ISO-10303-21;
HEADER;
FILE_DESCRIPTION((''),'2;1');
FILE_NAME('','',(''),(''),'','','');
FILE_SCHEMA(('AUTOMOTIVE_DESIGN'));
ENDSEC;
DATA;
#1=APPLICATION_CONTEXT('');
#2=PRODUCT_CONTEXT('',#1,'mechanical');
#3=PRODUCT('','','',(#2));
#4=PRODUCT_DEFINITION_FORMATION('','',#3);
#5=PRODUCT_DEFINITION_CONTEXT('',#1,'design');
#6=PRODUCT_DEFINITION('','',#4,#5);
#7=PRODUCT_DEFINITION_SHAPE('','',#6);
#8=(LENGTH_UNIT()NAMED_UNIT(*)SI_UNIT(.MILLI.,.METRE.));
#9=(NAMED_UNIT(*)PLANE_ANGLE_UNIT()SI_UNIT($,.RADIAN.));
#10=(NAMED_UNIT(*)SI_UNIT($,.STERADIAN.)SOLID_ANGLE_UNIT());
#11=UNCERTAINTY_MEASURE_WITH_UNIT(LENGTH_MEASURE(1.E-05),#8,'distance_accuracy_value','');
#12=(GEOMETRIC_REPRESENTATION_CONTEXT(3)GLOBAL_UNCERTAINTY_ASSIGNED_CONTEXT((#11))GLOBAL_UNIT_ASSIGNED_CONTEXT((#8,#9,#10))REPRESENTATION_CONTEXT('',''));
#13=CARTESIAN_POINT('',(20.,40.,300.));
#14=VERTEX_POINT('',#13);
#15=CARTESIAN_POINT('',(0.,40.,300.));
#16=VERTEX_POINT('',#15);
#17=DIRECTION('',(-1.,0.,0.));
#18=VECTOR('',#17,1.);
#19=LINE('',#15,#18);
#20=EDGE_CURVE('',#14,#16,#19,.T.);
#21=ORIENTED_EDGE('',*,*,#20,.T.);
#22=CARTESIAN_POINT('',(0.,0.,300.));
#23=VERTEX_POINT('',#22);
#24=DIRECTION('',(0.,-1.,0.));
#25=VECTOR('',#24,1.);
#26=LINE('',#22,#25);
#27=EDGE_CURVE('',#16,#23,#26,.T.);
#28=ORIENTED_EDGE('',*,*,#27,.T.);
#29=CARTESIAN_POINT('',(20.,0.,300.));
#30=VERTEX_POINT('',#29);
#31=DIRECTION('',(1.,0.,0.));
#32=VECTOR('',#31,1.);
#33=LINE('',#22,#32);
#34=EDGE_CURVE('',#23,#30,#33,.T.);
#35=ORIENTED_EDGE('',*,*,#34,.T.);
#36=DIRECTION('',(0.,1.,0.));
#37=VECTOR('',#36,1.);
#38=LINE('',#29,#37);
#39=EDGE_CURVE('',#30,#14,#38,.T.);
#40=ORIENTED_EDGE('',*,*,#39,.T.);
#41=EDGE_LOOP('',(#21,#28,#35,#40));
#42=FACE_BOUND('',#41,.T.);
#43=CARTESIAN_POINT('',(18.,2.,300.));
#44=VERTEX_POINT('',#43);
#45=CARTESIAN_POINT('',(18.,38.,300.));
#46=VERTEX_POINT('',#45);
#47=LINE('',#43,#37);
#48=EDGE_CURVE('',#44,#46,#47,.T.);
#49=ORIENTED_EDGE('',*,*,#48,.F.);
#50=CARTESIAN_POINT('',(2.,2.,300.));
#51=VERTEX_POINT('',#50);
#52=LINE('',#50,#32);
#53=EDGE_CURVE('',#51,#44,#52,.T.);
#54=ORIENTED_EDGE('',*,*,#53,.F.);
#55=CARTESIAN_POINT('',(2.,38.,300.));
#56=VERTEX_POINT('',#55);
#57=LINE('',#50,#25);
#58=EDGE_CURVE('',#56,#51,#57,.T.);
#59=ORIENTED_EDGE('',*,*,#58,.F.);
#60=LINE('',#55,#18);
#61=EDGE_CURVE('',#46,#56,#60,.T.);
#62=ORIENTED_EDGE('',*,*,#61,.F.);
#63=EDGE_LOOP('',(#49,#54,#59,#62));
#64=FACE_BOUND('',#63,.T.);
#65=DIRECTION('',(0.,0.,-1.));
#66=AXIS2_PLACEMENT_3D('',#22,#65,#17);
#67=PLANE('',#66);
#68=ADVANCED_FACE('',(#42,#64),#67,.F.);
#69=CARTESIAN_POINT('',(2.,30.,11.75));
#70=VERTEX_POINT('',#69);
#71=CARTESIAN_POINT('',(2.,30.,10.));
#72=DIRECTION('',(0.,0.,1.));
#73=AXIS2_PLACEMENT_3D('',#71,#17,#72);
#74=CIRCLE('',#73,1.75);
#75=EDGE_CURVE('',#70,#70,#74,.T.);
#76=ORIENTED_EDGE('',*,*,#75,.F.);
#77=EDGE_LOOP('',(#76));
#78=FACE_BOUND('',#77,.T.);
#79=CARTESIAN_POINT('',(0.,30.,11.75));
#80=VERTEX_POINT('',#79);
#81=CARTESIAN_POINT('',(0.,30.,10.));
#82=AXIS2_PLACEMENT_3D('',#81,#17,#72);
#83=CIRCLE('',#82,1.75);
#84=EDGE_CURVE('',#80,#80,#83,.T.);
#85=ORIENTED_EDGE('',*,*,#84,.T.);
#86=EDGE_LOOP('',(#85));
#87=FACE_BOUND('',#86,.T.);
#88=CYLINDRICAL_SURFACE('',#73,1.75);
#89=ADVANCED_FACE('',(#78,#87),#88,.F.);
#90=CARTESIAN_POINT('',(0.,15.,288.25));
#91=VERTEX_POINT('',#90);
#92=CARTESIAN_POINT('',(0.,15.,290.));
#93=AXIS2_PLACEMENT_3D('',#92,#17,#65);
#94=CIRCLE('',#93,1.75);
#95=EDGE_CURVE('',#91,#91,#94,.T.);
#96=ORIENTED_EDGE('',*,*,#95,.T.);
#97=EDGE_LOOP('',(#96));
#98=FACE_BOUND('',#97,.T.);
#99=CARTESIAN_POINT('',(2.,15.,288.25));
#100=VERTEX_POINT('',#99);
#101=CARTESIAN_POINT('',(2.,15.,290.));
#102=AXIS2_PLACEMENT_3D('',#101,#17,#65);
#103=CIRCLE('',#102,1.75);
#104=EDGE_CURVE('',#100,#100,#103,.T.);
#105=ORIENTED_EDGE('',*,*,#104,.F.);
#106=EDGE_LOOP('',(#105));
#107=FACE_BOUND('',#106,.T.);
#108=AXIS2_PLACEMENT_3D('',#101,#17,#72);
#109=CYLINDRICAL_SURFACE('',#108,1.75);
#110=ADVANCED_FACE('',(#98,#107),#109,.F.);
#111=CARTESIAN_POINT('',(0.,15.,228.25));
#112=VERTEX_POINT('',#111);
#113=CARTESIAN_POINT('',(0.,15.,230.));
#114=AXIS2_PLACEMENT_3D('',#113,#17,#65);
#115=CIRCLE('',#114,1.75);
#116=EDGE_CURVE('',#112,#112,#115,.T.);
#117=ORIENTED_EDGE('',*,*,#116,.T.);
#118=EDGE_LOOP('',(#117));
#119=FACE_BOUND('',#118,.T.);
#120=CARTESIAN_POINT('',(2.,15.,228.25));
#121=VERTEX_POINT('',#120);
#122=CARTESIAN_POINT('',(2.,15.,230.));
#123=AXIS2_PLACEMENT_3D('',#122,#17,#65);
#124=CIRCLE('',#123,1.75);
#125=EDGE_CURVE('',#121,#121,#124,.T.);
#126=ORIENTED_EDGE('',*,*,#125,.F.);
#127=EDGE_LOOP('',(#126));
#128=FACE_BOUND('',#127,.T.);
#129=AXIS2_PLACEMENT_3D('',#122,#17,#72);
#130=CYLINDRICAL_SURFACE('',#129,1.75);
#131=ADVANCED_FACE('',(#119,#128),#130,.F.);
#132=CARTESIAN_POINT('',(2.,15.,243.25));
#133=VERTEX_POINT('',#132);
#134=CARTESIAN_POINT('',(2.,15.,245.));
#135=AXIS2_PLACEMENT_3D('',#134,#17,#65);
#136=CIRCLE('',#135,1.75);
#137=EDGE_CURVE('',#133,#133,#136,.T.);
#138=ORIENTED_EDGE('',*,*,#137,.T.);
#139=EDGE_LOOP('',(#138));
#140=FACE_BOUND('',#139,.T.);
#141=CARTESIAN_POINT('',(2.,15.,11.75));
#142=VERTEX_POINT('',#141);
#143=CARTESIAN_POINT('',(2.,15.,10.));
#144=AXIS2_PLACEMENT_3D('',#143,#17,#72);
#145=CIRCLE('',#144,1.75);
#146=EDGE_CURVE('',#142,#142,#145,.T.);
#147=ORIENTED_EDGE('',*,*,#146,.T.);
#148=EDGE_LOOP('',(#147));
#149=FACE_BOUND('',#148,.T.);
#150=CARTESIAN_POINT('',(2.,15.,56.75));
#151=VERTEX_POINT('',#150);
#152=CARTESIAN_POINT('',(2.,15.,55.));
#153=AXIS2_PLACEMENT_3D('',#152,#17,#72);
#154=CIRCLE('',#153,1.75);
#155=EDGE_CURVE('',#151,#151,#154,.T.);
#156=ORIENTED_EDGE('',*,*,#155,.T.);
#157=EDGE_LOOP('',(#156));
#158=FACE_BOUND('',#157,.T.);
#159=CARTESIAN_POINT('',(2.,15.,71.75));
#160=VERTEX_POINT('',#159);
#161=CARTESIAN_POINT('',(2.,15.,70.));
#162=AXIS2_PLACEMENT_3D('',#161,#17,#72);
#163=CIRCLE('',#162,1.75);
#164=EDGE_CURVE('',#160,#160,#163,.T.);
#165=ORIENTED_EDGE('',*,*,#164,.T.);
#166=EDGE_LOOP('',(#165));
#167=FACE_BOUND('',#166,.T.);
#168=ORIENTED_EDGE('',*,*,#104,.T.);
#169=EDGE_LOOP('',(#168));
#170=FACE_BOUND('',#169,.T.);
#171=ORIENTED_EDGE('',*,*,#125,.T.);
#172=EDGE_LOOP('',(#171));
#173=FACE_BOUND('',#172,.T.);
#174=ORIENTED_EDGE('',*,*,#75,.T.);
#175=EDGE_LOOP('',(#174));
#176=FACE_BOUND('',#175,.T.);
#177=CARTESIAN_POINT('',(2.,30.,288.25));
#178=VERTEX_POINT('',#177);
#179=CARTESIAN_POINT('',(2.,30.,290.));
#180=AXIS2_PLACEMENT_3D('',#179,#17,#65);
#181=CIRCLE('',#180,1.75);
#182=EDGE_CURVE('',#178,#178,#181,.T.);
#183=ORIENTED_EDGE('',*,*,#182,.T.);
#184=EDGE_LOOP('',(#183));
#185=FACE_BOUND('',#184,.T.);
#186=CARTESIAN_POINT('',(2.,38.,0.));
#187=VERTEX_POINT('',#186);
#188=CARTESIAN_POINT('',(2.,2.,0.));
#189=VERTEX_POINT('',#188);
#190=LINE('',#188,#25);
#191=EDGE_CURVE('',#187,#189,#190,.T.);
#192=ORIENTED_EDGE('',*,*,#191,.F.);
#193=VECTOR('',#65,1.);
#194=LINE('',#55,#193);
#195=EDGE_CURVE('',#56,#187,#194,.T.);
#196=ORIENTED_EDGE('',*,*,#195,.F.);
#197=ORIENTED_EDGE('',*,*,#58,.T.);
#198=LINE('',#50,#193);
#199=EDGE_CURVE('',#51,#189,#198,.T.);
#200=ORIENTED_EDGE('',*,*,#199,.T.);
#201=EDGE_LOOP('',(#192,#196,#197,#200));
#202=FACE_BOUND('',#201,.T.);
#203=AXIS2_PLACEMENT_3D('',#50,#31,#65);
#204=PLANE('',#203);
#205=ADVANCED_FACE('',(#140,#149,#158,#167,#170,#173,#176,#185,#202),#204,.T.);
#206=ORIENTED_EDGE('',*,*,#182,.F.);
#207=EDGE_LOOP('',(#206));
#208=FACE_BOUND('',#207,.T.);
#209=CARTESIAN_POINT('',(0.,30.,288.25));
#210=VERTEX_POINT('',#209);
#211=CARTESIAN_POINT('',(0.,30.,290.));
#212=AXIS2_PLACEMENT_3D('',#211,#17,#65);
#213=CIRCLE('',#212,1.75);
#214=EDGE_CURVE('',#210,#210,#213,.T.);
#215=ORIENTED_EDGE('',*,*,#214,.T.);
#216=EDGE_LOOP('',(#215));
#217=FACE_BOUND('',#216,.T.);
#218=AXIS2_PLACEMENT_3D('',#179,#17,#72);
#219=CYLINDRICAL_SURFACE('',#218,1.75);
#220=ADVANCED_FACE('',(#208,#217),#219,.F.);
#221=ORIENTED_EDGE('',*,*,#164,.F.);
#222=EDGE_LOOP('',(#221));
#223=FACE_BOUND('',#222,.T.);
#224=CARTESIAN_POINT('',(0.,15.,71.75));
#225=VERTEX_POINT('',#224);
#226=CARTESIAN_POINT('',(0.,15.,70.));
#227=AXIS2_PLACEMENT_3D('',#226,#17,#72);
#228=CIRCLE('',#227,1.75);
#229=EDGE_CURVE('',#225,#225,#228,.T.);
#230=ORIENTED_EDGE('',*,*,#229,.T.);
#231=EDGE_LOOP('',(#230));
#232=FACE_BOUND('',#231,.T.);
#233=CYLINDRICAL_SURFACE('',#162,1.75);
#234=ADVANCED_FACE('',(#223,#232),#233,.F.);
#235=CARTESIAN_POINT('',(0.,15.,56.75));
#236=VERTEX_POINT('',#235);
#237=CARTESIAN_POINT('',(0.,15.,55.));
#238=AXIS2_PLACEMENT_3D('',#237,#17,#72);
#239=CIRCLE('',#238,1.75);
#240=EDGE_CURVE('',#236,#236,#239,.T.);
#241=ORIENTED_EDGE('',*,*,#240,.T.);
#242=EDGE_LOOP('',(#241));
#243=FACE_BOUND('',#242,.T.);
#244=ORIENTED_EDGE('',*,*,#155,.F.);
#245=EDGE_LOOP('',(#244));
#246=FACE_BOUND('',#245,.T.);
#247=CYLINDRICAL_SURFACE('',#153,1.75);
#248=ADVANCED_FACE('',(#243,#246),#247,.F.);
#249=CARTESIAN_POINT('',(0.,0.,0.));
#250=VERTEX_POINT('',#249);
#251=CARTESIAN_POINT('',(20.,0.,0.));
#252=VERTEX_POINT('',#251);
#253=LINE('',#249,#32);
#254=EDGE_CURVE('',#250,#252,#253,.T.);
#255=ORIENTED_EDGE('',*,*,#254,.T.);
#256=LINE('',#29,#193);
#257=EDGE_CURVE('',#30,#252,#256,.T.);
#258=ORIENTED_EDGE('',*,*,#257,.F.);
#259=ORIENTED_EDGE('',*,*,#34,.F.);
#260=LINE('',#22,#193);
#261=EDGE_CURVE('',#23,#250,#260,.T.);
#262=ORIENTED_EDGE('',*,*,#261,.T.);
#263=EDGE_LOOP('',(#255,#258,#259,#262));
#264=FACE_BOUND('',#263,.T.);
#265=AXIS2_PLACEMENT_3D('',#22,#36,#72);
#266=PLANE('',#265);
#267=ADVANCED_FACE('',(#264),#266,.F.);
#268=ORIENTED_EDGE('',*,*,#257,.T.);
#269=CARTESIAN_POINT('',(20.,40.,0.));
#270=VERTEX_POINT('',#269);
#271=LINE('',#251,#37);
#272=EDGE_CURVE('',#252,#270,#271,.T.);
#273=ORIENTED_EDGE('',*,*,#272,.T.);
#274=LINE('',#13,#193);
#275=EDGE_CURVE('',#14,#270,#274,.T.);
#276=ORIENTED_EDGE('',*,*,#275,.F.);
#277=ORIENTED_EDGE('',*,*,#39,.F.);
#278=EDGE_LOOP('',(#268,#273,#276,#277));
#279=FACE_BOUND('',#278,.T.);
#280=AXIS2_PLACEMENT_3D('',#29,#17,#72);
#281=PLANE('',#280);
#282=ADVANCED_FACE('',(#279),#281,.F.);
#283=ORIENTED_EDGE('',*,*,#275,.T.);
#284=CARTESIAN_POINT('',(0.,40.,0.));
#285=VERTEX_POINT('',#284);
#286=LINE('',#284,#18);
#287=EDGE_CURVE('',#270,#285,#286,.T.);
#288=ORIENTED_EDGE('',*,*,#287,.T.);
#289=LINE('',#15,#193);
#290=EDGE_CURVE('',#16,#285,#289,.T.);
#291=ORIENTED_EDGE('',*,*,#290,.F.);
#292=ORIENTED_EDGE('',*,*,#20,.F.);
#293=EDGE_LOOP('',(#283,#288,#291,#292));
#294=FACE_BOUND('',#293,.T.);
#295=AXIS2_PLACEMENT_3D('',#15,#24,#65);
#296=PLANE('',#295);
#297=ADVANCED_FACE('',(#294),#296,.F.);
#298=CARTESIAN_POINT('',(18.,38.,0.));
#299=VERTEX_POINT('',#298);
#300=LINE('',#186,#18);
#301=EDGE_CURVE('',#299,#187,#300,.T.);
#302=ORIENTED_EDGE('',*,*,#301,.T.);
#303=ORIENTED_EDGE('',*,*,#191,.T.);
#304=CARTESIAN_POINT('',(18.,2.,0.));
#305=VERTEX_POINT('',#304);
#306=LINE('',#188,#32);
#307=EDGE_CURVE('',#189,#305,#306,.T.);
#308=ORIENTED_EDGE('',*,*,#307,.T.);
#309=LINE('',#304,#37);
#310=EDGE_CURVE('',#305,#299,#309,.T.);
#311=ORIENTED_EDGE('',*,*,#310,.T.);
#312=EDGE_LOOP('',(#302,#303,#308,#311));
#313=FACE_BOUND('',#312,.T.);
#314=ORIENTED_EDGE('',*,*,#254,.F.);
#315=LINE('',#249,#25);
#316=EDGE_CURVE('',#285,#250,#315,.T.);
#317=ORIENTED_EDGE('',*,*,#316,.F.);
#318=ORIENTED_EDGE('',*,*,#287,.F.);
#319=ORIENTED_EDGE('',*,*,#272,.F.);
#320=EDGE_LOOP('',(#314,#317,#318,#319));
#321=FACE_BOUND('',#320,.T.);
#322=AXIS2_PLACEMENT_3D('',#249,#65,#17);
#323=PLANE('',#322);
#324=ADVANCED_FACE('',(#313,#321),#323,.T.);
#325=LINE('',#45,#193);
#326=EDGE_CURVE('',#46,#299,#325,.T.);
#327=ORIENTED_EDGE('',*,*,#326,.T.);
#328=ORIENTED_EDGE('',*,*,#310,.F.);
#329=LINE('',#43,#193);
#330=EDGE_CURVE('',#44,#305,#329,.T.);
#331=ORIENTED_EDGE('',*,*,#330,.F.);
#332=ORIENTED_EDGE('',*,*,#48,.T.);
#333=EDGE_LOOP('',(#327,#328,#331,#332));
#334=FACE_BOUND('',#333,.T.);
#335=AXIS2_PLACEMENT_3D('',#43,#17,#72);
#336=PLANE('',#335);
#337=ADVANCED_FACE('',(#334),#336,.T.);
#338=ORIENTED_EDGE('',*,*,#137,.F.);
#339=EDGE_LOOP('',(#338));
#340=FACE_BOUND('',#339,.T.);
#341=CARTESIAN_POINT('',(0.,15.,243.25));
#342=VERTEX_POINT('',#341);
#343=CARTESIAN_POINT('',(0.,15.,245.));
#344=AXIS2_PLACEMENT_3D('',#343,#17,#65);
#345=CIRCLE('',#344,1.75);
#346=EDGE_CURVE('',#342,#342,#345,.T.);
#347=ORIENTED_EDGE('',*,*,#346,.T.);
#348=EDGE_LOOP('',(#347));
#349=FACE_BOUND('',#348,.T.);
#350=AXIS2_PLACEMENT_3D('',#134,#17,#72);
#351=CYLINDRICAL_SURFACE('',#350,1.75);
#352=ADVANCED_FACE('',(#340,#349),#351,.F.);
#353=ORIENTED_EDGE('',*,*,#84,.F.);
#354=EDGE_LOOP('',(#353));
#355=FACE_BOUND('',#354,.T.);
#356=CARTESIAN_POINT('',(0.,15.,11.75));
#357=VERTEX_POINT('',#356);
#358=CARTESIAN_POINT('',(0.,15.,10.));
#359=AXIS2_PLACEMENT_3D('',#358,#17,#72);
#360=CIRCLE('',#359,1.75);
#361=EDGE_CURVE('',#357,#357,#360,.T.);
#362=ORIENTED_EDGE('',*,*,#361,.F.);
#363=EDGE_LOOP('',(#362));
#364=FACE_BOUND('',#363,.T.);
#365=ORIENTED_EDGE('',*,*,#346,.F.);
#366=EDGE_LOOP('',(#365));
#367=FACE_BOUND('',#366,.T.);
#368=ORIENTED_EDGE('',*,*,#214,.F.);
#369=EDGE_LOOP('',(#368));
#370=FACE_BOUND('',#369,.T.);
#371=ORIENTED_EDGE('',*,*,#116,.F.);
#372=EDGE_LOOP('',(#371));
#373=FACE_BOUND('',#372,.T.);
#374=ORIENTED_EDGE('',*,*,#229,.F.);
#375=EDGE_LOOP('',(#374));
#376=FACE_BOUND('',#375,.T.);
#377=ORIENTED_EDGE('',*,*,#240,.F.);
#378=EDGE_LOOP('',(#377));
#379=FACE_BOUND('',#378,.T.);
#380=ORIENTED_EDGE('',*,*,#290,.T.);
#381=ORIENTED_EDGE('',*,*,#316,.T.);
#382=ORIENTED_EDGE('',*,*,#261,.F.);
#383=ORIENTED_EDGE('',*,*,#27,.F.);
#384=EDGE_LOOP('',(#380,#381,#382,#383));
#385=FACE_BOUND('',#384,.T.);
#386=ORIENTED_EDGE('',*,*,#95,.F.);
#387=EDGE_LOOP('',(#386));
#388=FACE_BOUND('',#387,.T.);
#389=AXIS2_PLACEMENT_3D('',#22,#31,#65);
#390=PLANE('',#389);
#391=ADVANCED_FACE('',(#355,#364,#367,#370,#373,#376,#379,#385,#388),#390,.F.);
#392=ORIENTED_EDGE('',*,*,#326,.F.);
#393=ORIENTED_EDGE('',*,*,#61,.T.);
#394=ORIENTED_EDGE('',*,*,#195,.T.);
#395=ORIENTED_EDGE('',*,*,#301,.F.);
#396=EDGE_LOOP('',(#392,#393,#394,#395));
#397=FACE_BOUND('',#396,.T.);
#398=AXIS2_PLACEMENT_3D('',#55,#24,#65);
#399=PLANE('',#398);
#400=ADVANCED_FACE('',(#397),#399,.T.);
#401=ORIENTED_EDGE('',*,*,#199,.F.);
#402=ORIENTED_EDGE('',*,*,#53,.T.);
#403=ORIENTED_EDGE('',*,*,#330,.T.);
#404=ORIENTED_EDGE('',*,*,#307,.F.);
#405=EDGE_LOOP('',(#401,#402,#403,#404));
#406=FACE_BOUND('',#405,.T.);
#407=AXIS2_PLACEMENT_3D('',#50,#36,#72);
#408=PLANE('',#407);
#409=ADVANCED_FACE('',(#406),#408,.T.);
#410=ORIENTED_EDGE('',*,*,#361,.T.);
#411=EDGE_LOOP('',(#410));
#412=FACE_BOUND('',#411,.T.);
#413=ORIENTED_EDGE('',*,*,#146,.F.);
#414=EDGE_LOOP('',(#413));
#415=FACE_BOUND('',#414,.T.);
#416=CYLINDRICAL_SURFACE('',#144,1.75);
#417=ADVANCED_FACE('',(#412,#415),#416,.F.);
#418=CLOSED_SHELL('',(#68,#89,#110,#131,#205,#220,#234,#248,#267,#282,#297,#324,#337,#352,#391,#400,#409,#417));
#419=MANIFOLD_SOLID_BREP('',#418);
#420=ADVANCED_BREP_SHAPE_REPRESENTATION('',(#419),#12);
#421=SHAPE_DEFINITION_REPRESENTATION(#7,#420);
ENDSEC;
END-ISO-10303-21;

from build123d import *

# Parameters (mm, degrees)
ESBO_O1_W                = 20
ESBO_O1_H                = 40
ESBO_O1_W_2              = 16
ESBO_O1_H_2              = 36
RESSALTO_EXTRUS_O1_DEPTH = 300
ESBO_O2_R                = 1.75
CORTE_EXTRUS_O1_DEPTH    = 2


with BuildPart() as part:
    # Esboço1 → Ressalto-extrusão1 (new body)
    with BuildSketch(Plane.XY):
        with Locations((10, 20)):
            Rectangle(ESBO_O1_W, ESBO_O1_H)
        with Locations((10, 20)):
            Rectangle(ESBO_O1_W_2, ESBO_O1_H_2, mode=Mode.SUBTRACT)
    extrude(amount=RESSALTO_EXTRUS_O1_DEPTH)

    # Esboço2 → Corte-extrusão1 (cut)
    with BuildSketch(Plane.ZY):
        with Locations((10, 30)):
            Circle(ESBO_O2_R)
        with Locations((10, 15)):
            Circle(ESBO_O2_R)
        with Locations((70, 15)):
            Circle(ESBO_O2_R)
        with Locations((55, 15)):
            Circle(ESBO_O2_R)
        with Locations(Location((230, 15, 0), (0, 0, 180))):
            Circle(ESBO_O2_R)
        with Locations(Location((245, 15, 0), (0, 0, 180))):
            Circle(ESBO_O2_R)
        with Locations(Location((290, 15, 0), (0, 0, 180))):
            Circle(ESBO_O2_R)
        with Locations(Location((290, 30, 0), (0, 0, 180))):
            Circle(ESBO_O2_R)
    extrude(amount=-CORTE_EXTRUS_O1_DEPTH, mode=Mode.SUBTRACT)


solid = part.part
